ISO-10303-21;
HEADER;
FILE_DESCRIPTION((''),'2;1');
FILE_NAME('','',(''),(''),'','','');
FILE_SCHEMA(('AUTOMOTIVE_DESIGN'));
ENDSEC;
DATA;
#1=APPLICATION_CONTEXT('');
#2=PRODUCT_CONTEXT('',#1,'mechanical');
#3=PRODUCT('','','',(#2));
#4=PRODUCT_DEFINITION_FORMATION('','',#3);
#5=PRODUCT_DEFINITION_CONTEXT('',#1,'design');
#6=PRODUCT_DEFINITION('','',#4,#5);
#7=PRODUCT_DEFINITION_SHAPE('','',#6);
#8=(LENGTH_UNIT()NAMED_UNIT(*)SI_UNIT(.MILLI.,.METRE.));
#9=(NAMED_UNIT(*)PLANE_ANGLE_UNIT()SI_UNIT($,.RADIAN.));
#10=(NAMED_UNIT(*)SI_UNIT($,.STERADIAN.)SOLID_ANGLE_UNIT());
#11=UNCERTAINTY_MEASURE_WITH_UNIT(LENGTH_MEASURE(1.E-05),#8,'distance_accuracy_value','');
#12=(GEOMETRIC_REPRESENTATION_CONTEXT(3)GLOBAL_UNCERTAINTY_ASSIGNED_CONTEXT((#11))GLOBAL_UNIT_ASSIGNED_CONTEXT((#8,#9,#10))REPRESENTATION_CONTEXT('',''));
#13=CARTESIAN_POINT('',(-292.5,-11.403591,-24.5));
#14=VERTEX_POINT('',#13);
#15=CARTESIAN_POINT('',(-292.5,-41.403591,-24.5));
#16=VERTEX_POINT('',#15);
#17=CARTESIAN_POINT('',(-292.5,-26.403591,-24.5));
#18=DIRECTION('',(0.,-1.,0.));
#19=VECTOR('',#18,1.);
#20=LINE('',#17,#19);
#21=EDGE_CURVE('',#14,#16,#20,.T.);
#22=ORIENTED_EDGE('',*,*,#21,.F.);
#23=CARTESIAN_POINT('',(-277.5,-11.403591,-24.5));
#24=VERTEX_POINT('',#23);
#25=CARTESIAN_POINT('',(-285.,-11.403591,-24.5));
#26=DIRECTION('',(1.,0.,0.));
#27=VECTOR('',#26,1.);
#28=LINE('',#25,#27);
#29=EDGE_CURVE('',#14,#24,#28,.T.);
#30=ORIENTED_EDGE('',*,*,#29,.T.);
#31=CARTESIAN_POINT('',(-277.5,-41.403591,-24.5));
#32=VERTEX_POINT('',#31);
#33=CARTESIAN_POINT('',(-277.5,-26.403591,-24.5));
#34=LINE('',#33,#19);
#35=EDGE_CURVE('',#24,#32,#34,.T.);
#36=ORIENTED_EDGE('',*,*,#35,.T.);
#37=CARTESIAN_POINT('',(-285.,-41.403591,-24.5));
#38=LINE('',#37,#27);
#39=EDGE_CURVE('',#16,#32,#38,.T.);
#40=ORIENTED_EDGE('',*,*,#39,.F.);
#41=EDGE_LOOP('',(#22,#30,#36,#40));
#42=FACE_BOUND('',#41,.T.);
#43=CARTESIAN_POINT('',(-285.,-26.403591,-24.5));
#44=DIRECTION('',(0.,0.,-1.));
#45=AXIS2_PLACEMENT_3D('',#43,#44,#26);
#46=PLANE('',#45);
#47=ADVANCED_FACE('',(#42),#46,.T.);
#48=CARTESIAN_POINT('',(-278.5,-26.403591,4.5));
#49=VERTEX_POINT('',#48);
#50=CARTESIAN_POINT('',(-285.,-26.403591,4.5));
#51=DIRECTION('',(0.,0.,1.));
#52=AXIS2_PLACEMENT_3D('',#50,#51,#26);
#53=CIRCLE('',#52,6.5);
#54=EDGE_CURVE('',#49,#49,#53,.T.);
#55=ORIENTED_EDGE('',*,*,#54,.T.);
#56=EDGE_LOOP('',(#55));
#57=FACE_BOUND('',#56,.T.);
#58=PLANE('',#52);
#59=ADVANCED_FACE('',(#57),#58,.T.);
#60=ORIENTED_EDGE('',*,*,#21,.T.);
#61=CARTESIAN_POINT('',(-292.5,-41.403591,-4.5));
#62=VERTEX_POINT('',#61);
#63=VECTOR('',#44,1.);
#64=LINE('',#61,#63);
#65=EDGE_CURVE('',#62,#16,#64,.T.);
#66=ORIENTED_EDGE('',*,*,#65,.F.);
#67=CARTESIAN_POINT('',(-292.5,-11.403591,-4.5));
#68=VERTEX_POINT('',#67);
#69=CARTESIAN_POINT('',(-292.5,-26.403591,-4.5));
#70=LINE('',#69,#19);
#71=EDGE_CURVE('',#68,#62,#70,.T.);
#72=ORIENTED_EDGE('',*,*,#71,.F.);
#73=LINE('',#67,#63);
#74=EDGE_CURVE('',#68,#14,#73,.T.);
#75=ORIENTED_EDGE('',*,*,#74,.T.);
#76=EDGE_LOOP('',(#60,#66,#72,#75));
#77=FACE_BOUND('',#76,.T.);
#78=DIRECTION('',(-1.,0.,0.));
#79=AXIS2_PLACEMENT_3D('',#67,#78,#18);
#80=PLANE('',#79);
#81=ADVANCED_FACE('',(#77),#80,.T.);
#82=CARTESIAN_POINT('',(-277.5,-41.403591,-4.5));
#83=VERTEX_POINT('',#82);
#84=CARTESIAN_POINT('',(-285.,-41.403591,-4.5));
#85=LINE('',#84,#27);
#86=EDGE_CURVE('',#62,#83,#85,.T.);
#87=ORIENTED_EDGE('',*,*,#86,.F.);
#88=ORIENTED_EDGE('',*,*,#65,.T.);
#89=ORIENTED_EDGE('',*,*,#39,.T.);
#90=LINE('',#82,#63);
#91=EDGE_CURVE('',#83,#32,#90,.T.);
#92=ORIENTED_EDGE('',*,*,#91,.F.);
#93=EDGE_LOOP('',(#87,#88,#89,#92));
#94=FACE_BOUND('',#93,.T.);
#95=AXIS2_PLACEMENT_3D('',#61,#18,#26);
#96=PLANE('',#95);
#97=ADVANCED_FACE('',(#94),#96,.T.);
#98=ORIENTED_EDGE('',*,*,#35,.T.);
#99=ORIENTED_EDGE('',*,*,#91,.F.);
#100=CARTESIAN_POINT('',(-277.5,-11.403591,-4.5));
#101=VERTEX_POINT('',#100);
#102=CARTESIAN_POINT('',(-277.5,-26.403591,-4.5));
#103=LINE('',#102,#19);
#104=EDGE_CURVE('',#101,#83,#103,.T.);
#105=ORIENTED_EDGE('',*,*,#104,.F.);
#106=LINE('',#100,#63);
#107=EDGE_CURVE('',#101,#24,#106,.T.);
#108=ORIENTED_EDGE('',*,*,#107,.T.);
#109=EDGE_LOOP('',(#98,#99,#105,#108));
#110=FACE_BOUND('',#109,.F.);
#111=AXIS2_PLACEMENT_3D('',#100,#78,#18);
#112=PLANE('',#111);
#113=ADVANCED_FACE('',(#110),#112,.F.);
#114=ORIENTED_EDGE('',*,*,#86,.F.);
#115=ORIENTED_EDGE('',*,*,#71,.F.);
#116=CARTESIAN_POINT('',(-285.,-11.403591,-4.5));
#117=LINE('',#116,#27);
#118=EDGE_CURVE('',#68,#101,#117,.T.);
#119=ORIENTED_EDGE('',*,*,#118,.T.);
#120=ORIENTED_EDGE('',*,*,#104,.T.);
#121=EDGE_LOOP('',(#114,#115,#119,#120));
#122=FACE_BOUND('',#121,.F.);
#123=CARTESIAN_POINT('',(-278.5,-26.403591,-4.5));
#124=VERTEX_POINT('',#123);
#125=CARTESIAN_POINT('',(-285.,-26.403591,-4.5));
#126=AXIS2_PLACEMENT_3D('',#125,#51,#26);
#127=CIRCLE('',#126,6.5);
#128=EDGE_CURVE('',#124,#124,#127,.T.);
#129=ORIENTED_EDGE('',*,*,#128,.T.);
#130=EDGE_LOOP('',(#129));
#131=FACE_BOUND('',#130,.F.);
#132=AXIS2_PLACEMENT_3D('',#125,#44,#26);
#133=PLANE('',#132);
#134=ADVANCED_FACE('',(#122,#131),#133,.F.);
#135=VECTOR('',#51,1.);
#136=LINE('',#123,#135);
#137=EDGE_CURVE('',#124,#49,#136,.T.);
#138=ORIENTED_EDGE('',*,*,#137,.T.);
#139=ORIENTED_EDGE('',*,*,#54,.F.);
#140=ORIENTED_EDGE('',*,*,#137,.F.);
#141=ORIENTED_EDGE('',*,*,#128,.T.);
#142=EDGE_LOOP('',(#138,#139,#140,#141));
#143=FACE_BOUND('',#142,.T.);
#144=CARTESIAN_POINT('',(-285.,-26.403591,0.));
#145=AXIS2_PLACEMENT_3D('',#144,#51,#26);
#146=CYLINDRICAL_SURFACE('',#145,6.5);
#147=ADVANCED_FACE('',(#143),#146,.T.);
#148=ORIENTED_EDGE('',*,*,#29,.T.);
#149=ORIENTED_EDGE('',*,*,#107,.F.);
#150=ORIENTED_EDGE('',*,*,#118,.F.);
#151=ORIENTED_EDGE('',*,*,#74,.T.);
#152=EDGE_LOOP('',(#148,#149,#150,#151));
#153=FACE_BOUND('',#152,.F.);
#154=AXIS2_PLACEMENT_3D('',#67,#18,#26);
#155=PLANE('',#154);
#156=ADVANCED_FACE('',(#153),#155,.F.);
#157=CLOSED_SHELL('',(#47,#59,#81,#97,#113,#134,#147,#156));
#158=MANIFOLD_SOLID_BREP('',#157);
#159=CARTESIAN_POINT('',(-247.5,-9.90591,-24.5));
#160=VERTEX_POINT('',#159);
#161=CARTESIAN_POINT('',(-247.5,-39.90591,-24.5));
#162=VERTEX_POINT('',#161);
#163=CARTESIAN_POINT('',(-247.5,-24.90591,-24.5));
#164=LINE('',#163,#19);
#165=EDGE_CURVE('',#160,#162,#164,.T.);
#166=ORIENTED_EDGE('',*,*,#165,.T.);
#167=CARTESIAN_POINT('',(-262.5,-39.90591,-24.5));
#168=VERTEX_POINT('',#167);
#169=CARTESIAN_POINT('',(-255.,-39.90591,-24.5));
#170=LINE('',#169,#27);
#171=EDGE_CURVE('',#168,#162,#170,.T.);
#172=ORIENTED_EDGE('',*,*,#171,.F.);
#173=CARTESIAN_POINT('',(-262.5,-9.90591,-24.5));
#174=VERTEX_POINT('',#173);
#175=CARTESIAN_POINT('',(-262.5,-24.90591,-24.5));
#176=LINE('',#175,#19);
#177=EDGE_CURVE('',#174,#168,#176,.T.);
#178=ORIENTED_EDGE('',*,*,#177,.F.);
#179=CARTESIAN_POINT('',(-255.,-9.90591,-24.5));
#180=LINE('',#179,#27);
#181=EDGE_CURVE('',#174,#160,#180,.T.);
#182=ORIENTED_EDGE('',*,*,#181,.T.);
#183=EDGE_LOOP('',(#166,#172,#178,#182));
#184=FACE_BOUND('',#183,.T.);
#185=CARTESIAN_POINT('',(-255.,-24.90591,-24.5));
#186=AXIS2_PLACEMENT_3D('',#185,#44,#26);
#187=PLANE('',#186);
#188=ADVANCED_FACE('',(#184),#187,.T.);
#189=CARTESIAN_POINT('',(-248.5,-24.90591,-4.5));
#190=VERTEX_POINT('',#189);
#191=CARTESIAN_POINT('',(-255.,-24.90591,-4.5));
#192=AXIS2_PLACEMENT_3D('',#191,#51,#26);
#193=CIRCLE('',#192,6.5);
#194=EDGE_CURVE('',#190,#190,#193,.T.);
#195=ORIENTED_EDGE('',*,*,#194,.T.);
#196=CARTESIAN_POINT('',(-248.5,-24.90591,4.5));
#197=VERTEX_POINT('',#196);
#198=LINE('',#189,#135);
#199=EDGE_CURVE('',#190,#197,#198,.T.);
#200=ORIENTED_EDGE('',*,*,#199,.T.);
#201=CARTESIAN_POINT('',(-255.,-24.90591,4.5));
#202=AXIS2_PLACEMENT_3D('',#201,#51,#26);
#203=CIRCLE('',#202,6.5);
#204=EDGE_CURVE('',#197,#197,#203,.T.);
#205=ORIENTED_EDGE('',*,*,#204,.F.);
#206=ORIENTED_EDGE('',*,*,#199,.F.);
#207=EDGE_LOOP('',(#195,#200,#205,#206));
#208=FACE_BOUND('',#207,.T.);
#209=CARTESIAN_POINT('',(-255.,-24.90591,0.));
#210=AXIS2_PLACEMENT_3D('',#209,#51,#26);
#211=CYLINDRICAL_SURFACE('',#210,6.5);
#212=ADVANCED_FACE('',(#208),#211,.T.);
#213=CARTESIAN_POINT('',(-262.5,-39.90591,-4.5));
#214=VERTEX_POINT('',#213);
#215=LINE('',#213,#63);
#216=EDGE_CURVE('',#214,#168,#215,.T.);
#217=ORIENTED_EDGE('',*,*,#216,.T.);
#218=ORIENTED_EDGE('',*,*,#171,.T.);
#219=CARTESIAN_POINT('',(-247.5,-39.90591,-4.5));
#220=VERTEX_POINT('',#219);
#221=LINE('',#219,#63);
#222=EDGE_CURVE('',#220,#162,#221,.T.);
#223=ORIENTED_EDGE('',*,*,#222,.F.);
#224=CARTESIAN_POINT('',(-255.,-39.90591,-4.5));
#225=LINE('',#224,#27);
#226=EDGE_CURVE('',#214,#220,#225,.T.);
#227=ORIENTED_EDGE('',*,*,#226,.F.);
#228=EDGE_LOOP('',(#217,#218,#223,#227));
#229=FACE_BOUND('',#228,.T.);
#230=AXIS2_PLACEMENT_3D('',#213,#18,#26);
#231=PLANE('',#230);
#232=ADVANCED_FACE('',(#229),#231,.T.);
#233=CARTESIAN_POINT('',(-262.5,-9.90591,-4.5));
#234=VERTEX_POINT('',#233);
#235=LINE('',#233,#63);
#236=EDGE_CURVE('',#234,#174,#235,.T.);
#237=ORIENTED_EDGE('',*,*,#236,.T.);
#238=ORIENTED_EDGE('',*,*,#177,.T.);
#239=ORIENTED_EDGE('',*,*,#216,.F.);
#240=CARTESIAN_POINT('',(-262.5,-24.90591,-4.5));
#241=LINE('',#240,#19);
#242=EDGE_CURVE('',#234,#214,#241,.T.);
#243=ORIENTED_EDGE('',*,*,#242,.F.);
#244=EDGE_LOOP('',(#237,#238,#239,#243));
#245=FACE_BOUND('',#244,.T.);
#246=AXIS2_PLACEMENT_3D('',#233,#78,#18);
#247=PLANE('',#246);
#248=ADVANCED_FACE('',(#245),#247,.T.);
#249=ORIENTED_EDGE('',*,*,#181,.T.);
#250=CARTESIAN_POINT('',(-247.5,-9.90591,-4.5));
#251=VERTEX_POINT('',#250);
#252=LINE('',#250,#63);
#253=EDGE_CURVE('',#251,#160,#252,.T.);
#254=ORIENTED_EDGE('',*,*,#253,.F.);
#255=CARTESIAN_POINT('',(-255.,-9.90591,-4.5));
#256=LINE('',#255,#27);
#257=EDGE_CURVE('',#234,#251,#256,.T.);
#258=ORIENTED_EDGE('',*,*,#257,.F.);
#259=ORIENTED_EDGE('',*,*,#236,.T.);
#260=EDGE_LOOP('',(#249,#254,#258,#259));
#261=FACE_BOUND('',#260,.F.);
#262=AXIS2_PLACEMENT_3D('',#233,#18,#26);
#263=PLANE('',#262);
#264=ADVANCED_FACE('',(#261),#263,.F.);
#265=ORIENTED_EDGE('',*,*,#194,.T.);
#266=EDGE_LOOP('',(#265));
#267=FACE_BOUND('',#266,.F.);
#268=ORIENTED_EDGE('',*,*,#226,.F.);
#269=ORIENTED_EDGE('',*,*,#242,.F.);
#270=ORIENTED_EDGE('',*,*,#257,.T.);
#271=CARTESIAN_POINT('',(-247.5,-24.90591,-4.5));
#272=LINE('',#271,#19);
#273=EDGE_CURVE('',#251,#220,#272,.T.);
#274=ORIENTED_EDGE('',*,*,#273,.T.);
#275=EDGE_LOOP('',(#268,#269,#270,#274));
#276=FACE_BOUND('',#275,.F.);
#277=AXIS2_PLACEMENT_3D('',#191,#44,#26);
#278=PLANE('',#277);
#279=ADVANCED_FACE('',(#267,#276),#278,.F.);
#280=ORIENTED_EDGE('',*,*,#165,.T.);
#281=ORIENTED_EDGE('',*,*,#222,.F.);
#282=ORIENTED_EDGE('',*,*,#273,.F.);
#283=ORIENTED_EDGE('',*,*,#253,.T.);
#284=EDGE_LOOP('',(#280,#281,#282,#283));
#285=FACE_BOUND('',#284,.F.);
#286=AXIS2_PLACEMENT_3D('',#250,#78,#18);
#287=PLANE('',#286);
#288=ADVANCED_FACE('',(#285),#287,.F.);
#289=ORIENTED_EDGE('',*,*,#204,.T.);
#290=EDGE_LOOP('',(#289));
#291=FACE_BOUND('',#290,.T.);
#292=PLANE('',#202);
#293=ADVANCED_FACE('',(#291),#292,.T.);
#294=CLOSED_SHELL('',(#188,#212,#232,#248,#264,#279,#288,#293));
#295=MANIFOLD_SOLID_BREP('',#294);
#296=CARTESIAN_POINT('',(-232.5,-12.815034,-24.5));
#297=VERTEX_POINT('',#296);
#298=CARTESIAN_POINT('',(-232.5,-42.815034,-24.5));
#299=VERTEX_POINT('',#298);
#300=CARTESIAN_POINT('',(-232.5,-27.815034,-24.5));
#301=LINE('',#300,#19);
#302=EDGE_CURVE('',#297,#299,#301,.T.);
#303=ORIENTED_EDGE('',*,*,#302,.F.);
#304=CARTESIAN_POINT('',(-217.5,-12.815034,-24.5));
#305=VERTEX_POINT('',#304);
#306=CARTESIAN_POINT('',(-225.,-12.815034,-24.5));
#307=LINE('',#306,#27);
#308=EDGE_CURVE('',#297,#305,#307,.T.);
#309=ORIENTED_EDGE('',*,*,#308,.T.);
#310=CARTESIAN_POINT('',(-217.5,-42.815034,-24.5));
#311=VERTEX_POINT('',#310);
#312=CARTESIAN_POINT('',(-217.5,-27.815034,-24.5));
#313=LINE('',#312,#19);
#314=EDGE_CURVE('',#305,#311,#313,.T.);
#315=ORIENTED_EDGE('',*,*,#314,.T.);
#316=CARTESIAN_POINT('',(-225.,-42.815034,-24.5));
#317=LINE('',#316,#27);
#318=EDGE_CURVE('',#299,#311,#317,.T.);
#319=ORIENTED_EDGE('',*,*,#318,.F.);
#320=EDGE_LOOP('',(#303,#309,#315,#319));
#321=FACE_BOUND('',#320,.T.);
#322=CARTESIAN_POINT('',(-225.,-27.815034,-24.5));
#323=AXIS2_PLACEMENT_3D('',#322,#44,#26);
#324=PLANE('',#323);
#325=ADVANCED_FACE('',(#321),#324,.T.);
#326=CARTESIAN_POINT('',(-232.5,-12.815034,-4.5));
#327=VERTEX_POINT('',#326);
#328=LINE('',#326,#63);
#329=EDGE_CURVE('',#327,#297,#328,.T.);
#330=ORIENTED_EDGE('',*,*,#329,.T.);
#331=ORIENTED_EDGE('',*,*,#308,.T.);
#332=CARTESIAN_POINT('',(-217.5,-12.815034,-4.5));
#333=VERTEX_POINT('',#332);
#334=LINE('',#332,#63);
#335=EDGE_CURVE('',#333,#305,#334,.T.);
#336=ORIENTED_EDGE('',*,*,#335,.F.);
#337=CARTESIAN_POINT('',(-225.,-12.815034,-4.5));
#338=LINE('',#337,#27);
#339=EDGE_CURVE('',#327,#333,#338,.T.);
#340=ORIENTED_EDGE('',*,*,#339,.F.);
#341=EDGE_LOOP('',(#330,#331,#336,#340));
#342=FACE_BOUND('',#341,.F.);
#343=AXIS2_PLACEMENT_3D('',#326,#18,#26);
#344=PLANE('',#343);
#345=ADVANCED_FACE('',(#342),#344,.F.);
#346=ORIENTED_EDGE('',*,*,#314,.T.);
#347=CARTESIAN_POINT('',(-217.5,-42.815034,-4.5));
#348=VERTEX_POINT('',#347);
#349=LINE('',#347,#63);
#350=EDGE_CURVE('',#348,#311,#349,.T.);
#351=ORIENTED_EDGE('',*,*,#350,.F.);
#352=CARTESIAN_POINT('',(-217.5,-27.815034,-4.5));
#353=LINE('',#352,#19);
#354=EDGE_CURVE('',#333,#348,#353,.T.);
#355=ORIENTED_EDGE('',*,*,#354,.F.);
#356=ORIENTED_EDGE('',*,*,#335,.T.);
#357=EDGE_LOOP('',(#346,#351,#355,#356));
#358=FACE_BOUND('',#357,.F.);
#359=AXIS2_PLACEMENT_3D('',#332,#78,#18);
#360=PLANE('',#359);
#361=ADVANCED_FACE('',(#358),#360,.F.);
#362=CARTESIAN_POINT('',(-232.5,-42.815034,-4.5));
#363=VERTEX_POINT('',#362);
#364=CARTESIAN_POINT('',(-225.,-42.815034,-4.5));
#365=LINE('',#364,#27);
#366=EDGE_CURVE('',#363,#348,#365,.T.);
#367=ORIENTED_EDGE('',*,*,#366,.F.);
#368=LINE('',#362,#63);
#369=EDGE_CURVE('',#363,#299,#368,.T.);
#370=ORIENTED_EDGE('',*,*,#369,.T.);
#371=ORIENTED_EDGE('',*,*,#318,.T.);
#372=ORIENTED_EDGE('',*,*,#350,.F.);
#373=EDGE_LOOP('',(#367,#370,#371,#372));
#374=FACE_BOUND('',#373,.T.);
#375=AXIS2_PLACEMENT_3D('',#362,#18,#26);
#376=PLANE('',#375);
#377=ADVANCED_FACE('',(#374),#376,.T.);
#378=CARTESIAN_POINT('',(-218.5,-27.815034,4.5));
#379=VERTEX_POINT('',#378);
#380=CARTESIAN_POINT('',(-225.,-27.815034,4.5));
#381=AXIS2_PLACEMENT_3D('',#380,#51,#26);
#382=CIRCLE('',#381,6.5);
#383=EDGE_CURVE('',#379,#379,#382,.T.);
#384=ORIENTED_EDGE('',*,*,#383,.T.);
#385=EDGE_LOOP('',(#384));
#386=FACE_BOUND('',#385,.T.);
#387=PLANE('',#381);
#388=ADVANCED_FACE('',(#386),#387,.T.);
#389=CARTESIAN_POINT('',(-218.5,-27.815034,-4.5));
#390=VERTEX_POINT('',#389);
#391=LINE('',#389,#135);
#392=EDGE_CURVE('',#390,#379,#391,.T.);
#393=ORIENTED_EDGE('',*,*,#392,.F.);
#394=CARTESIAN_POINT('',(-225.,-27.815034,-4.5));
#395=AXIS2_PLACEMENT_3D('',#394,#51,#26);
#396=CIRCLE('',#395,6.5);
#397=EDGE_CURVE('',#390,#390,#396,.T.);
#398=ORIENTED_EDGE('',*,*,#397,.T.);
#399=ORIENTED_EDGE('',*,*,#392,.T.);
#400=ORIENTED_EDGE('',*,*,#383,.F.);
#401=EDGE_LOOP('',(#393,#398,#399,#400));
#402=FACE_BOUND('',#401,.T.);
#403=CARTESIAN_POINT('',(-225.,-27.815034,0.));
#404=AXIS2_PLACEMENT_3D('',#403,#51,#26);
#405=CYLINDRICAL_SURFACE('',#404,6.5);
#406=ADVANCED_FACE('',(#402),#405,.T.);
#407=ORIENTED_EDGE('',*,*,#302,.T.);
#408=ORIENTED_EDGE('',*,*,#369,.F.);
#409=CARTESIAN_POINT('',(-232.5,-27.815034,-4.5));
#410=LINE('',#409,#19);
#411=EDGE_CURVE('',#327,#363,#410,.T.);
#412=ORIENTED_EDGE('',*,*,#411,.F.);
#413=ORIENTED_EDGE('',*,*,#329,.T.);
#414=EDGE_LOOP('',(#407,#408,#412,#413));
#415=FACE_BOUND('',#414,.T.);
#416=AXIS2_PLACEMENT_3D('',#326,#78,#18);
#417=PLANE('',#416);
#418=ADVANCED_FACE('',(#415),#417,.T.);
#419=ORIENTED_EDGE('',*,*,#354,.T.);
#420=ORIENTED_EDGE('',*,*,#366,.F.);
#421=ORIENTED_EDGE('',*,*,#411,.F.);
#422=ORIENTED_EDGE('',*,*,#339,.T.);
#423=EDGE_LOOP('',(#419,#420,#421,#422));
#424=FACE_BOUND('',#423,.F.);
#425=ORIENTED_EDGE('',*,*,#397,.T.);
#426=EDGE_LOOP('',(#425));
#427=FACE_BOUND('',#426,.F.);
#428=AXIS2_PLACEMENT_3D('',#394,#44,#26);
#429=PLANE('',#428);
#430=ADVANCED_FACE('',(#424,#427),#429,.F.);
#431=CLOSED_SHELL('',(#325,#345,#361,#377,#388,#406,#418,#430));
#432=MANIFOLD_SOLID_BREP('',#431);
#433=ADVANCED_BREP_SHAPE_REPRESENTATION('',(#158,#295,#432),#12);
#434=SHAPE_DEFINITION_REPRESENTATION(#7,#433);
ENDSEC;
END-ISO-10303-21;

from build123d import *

# Parameters (mm, degrees)
F0_R     = 6.5
F1_DEPTH = 4.5
F2_DEPTH = 4.5
F3_W     = 15
F3_H     = 30
F3_R     = 6.5
F4_W     = 15
F4_H     = 30
F4_R     = 6.5
F5_W     = 15
F5_H     = 30
F6_DEPTH = 20


with BuildPart() as f1:
    # F0 (on Top) → F1 (new body)
    with BuildSketch(Plane.XY):
        with Locations((-285, -26.403591)):
            Circle(F0_R)
        with Locations((-255, -24.90591)):
            Circle(F0_R)
        with Locations((-225, -27.815034)):
            Circle(F0_R)
    extrude(amount=F1_DEPTH)

    # F0 (on Top) → F2 (join)
    with BuildSketch(Plane.XY):
        with Locations((-225, -27.815034)):
            Circle(F0_R)
        with Locations((-255, -24.90591)):
            Circle(F0_R)
        with Locations((-285, -26.403591)):
            Circle(F0_R)
    extrude(amount=-F2_DEPTH)

    # F3 (on face) + F4 (on face) + F5 (on face) → F6 (join)
    with BuildSketch(Plane(origin=(0, 0, -4.5), x_dir=(1, 0, 0), z_dir=(0, 0, -1))):
        with Locations((-285, 26.403591)):
            Rectangle(F3_W, F3_H)
        with Locations((-285, 26.403591)):
            Circle(F3_R)
    with BuildSketch(Plane(origin=(0, 0, -4.5), x_dir=(1, 0, 0), z_dir=(0, 0, -1))):
        with Locations((-255, 24.90591)):
            Rectangle(F4_W, F4_H)
        with Locations((-255, 24.90591)):
            Circle(F4_R)
    with BuildSketch(Plane(origin=(0, 0, -4.5), x_dir=(1, 0, 0), z_dir=(0, 0, -1))):
        with Locations((-225, 27.815034)):
            Rectangle(F5_W, F5_H)
    extrude(amount=F6_DEPTH)


solid = f1.part
